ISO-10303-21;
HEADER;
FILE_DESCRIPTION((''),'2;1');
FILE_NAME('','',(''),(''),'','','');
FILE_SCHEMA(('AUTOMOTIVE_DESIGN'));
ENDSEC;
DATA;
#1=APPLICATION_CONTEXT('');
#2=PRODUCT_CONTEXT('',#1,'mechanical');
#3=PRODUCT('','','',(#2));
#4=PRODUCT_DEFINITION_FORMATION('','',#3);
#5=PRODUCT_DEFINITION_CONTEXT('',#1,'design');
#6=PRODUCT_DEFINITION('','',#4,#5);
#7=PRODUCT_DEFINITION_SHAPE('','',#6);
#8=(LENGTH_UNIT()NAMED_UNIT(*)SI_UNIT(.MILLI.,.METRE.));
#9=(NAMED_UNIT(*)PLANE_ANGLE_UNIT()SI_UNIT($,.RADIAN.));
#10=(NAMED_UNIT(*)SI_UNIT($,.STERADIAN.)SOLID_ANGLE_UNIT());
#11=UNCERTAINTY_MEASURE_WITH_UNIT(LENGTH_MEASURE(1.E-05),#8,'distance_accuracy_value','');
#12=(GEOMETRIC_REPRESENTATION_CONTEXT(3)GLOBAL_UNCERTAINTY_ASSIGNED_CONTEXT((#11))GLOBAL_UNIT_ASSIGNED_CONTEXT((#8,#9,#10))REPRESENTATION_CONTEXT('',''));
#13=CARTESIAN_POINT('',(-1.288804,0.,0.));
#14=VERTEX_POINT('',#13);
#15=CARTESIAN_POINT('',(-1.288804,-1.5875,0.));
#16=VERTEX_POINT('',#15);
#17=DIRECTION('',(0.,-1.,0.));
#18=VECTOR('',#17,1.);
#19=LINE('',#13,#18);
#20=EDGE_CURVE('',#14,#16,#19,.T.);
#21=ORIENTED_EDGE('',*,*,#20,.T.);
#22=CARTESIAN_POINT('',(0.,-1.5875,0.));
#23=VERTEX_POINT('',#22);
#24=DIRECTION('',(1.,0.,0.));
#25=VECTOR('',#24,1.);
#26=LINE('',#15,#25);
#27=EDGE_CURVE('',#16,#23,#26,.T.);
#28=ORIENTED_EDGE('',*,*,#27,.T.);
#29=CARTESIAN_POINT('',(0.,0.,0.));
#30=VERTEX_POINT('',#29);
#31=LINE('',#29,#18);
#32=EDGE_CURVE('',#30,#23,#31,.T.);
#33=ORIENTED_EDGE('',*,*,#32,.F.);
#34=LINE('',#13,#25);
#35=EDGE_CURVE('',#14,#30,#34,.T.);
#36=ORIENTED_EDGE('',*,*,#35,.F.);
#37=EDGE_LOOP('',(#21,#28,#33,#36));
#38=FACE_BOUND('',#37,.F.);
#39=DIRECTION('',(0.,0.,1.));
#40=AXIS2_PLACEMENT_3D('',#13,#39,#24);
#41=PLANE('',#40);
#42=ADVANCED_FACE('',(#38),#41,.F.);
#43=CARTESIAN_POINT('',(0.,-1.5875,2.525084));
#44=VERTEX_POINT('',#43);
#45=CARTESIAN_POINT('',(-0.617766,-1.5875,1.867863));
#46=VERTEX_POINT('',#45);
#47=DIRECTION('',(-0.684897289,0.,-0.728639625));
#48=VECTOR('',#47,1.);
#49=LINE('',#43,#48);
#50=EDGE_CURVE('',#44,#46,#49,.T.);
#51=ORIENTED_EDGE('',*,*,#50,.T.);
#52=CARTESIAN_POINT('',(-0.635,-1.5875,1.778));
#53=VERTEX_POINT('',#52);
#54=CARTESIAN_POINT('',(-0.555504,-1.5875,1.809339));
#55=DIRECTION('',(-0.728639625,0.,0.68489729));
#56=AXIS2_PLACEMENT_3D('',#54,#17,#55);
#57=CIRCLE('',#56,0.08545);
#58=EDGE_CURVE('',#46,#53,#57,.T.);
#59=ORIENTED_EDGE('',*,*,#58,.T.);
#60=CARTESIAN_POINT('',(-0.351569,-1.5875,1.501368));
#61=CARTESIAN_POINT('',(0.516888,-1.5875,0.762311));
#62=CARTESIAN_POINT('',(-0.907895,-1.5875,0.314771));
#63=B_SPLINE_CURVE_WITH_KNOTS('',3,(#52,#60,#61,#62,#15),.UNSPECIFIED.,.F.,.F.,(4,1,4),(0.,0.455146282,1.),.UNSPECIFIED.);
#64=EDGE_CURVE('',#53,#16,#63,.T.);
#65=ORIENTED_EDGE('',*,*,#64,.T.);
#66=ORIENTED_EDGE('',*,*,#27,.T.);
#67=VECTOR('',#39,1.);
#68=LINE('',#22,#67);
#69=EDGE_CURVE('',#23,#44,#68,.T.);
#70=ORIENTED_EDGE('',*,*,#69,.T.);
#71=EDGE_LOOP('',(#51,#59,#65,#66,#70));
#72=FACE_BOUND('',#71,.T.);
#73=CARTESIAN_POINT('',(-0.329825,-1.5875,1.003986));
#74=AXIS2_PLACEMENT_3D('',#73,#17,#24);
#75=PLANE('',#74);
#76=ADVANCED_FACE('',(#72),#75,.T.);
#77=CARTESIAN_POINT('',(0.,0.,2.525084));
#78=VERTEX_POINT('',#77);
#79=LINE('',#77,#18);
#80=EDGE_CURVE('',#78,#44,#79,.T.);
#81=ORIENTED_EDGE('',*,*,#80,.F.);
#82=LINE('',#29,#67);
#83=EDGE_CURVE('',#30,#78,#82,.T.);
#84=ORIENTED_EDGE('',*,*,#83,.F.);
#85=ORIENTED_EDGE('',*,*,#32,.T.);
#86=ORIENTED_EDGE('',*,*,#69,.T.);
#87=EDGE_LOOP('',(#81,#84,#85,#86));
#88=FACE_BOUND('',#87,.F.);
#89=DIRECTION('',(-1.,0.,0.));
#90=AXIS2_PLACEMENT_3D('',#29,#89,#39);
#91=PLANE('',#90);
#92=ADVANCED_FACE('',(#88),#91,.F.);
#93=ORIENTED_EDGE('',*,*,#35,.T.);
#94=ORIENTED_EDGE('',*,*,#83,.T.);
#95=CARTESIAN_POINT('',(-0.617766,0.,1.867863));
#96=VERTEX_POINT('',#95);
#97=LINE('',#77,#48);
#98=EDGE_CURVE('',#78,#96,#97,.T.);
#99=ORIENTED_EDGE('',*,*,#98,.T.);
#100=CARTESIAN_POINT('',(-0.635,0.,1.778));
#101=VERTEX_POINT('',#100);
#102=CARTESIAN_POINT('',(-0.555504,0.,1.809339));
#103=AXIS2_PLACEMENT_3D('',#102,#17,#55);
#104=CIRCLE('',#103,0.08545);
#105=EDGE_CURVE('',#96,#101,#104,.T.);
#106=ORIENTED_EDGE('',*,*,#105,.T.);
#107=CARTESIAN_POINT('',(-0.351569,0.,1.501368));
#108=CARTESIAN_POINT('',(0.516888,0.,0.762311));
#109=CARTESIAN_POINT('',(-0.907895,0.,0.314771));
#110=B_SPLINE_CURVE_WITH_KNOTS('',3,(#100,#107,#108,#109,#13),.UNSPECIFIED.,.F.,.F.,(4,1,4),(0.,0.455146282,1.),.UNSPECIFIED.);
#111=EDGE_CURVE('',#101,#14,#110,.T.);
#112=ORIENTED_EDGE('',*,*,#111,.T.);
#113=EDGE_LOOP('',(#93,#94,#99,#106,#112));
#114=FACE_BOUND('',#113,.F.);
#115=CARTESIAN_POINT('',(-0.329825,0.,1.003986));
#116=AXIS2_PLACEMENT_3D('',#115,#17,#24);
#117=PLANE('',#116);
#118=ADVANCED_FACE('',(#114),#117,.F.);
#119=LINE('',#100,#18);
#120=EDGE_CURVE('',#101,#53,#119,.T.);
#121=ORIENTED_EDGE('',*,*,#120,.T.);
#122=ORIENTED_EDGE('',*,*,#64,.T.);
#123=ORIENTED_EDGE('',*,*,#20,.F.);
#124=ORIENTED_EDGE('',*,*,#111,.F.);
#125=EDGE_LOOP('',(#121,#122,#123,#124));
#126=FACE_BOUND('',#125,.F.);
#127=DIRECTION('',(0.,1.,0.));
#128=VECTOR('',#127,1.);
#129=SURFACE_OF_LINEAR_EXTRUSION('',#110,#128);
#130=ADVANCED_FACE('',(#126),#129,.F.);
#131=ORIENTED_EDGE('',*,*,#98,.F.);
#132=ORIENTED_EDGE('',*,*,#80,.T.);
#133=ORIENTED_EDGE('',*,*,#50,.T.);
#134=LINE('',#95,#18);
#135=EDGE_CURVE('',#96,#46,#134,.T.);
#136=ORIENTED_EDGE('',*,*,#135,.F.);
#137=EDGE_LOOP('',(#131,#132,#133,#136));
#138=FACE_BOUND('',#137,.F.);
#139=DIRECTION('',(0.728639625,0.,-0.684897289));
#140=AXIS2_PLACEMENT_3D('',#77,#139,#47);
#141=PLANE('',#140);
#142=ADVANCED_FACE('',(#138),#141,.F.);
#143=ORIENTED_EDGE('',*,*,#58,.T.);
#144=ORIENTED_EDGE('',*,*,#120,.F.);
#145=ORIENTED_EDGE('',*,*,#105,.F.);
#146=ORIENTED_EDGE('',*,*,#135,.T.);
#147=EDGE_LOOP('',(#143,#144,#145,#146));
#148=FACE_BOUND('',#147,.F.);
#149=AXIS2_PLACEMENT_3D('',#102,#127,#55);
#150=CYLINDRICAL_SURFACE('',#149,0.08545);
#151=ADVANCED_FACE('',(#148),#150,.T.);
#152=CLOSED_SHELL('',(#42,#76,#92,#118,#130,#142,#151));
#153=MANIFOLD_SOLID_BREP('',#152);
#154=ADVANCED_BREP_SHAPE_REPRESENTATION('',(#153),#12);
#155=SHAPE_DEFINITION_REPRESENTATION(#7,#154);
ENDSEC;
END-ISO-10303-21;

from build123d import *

# Parameters (mm, degrees)
F1_DEPTH = 1.5875


with BuildPart() as f1:
    # F0 (on Front) → F1 (new body)
    with BuildSketch(Plane.XZ):
        with BuildLine():
            Line((-1.288804342, 0), (0, 0))
            Line((0, 0), (0, 1.778))
            Line((0, 1.778), (0, 2.5250844192))
            Line((0, 2.5250844192), (-0.6177662367, 1.867863305))
            ThreePointArc((-0.6177662367, 1.867863305), (-0.6394247671, 1.8254327477), (-0.635, 1.778))
            add(Edge.make_bspline(
                [(-0.635, 1.778), (-0.3515690188, 1.5013684956), (0.5168877601, 0.7623105723), (-0.9078952262, 0.3147711822), (-1.288804342, 0)],
                knots=[0, 0, 0, 0, 0.4551462822, 1, 1, 1, 1], degree=3))
        make_face()
    extrude(amount=F1_DEPTH)


solid = f1.part
